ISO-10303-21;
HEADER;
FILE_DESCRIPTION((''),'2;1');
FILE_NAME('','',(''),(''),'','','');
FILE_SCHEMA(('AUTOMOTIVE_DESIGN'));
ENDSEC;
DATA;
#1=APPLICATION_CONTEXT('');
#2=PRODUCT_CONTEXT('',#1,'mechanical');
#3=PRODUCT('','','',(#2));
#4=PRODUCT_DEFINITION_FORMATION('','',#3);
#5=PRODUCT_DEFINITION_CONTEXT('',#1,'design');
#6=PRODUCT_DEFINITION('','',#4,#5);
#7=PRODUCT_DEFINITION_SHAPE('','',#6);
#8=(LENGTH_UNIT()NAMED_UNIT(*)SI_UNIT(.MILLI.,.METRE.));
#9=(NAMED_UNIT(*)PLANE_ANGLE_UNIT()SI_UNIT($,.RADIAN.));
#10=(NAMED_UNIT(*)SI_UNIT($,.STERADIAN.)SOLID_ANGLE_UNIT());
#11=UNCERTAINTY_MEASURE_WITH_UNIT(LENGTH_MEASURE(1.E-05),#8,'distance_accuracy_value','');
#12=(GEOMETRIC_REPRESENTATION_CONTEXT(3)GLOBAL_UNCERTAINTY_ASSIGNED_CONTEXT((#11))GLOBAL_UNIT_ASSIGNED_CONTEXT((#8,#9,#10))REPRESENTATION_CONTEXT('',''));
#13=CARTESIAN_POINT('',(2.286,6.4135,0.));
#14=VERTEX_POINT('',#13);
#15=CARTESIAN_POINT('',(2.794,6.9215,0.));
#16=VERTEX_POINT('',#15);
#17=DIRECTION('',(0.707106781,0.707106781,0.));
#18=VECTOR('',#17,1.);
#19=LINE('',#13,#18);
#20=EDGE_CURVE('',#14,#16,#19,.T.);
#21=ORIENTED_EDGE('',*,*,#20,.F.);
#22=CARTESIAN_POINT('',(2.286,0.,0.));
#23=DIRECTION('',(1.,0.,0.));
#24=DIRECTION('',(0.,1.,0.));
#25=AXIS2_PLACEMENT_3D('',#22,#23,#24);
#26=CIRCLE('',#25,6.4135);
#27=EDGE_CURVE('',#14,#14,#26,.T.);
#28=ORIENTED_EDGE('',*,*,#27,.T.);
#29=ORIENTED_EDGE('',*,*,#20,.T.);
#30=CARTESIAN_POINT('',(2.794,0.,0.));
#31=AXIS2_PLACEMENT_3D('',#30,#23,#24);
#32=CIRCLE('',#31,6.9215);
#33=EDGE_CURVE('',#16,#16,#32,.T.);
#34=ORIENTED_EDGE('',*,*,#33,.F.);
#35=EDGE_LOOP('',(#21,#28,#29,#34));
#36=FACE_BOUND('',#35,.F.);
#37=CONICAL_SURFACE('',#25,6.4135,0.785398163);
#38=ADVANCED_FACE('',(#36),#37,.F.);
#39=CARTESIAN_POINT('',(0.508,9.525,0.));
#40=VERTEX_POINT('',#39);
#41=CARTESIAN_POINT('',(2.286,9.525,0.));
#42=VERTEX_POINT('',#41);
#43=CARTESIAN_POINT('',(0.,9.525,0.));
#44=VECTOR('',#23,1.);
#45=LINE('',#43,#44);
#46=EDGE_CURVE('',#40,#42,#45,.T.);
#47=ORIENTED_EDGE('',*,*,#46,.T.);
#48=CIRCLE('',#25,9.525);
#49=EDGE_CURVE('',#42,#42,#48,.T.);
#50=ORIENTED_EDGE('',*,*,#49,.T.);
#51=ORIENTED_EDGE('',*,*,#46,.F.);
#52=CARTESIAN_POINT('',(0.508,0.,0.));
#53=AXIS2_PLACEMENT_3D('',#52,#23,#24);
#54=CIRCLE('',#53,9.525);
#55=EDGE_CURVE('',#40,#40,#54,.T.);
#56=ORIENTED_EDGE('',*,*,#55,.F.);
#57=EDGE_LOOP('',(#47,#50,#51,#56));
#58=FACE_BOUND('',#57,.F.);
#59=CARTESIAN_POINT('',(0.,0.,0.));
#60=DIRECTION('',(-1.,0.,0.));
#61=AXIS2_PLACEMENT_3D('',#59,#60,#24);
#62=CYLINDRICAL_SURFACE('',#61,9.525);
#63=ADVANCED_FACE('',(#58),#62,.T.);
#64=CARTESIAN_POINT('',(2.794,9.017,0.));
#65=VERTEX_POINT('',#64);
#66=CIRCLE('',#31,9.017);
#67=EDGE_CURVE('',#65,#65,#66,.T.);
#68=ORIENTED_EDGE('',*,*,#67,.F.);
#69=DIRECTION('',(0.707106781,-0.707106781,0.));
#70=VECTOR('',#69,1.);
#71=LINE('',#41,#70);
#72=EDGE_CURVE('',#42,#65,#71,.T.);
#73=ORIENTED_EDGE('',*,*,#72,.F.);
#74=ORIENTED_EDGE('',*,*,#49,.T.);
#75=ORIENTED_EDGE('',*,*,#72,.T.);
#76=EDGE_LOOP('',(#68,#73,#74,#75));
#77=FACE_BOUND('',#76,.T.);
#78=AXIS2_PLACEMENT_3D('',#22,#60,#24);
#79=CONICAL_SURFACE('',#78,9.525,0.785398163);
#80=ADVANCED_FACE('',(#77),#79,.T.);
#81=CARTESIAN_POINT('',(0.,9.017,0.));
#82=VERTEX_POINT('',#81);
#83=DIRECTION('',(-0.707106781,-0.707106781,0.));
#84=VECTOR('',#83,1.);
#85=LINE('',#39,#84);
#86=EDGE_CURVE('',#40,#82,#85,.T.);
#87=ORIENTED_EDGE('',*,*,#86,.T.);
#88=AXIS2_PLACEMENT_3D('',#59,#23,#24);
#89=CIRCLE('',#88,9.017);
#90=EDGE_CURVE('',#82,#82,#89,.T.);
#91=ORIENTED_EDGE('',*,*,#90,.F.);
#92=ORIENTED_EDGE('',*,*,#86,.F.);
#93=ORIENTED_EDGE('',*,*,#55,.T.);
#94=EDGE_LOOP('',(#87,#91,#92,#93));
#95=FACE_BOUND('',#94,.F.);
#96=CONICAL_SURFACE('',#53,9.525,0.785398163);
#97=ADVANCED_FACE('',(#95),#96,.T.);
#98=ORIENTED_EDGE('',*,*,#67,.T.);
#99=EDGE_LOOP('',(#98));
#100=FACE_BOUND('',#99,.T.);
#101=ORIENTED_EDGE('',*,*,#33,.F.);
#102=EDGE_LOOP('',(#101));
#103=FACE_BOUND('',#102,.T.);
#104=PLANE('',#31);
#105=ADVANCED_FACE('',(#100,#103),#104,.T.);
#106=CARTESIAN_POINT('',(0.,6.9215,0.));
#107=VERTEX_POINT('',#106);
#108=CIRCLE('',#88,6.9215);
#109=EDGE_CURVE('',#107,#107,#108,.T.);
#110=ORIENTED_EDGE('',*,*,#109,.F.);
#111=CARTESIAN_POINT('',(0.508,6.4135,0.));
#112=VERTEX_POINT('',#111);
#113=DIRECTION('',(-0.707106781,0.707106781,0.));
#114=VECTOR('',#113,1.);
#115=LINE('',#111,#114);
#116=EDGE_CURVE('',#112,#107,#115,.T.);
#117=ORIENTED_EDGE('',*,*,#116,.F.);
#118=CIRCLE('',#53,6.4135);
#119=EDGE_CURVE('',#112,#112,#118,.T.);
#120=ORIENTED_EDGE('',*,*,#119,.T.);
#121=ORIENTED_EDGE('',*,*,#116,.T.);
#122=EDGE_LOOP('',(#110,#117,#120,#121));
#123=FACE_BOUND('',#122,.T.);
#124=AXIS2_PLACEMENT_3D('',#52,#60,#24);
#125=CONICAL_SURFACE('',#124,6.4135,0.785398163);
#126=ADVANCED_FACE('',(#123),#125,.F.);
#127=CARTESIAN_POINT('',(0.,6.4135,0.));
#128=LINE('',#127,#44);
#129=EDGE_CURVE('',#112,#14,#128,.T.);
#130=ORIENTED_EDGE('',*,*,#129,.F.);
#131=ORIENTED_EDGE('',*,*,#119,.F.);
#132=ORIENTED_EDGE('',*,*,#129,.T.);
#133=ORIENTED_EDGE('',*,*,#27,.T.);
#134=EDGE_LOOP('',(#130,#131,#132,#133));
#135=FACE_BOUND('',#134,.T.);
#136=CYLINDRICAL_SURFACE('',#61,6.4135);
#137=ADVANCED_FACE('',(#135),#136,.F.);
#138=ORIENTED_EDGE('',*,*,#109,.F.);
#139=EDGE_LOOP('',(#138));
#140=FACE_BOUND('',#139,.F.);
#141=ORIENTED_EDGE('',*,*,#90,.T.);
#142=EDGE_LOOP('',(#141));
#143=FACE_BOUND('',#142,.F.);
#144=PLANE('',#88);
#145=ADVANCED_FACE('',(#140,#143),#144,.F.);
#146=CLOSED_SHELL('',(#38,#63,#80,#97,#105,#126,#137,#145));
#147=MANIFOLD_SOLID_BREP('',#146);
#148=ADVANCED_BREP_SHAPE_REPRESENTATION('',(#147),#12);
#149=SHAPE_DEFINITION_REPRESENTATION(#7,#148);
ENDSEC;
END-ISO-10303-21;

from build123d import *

# Parameters (mm, degrees)
F0_R     = 9.525
F0_R_2   = 6.4135
F1_DEPTH = 2.794
F2_SIZE  = 0.508


with BuildPart() as f1:
    # F0 (on Right) → F1 (new body)
    with BuildSketch(Plane.YZ):
        Circle(F0_R)
        Circle(F0_R_2, mode=Mode.SUBTRACT)
    extrude(amount=F1_DEPTH)

    # F2
    f2_edges = [f1.edges().sort_by_distance(p)[0] for p in [
        (1.397, 6.4135, 0),
        (0, -6.4135, 0),
        (2.794, -6.4135, 0),
        (1.397, 9.525, 0),
        (0, -9.525, 0),
        (2.794, -9.525, 0),
    ]]
    chamfer(f2_edges, length=F2_SIZE)


solid = f1.part
